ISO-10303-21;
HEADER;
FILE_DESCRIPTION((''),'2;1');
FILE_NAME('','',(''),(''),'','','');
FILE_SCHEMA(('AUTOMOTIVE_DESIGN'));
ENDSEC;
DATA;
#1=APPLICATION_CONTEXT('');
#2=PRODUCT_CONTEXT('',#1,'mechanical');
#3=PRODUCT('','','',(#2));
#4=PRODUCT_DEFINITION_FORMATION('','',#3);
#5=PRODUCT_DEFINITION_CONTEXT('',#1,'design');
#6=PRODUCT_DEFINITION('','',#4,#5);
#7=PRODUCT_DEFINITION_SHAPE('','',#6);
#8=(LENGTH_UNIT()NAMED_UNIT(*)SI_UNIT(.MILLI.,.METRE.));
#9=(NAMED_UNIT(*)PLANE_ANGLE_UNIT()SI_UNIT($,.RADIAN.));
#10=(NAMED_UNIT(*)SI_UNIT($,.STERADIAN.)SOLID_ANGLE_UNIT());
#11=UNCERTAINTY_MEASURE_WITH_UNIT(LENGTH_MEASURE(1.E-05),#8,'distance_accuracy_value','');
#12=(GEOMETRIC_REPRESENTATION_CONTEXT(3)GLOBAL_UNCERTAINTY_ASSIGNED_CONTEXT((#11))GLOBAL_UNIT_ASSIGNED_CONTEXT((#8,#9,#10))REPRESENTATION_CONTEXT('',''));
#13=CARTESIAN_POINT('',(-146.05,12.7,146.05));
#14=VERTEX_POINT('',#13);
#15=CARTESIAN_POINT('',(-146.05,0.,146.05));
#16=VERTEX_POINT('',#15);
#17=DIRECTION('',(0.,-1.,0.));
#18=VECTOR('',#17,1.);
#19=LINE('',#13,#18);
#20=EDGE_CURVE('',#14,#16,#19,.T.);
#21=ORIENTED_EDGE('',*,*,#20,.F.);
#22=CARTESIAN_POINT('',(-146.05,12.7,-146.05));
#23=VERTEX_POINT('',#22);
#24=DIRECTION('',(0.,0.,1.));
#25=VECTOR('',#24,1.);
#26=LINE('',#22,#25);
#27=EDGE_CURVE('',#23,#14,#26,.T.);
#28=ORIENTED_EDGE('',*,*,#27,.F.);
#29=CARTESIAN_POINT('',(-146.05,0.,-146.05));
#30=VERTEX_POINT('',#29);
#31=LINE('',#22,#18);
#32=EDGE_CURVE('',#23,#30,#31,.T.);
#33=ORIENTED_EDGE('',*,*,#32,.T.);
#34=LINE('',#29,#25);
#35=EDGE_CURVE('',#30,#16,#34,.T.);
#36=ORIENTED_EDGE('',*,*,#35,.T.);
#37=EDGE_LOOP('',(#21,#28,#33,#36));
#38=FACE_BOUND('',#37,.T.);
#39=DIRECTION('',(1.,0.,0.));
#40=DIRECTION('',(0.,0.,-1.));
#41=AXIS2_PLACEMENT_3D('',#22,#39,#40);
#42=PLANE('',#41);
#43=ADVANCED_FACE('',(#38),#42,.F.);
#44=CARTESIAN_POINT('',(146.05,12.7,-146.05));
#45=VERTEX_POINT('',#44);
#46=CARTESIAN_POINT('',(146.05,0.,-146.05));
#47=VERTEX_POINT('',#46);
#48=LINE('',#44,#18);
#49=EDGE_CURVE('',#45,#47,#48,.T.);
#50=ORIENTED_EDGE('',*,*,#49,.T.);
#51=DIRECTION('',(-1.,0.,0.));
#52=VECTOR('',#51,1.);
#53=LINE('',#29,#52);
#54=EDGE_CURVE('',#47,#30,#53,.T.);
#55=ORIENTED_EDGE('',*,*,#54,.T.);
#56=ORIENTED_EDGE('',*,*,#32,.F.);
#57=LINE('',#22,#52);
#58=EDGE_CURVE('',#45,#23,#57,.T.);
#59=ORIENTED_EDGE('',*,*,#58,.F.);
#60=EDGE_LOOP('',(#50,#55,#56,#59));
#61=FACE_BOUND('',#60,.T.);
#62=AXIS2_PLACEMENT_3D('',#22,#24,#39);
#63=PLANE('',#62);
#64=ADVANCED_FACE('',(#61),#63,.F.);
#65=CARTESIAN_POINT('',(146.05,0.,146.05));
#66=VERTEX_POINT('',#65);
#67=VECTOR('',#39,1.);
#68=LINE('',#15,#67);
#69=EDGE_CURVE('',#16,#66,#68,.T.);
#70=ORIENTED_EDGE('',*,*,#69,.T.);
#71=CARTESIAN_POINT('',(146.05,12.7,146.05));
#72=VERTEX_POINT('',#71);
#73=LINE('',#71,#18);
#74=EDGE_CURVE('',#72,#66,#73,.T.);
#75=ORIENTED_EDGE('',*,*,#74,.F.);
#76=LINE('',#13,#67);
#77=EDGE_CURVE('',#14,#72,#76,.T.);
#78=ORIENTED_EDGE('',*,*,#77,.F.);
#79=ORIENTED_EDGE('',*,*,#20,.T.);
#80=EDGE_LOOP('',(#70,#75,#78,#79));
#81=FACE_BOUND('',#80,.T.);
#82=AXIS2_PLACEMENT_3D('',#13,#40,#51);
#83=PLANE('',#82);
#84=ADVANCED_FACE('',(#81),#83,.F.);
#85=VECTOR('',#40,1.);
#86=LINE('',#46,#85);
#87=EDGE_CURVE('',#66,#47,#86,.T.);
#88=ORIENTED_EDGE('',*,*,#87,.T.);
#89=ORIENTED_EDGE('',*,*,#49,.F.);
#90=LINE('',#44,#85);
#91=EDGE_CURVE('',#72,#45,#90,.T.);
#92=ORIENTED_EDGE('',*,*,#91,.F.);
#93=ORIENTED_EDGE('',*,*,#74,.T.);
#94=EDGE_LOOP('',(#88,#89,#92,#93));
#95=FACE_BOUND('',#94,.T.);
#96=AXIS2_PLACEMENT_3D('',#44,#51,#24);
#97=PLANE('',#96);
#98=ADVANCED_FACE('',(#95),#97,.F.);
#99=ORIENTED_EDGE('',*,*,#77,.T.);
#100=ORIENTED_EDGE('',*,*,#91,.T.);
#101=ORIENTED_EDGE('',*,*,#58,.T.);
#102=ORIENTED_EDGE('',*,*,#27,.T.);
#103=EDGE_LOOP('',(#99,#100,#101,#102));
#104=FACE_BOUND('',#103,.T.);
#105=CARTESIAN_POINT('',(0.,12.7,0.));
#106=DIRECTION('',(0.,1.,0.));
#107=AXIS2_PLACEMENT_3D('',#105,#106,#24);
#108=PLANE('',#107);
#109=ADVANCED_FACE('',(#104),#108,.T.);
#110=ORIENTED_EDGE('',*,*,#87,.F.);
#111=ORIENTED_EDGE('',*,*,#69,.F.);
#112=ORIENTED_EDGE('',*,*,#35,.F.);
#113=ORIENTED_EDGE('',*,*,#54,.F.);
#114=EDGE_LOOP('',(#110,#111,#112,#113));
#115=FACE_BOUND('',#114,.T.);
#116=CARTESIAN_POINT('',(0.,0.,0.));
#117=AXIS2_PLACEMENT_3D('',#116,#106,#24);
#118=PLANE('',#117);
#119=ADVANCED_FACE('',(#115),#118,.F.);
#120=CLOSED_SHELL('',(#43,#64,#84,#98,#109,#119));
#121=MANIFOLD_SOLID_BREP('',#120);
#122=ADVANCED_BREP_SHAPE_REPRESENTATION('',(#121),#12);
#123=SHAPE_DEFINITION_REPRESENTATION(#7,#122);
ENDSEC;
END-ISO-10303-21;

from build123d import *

# Parameters (mm, degrees)
SKETCH1_W           = 292.1
SKETCH1_H           = 292.1
BOSS_EXTRUDE1_DEPTH = 12.7


with BuildPart() as part:
    # Sketch1 → Boss-Extrude1 (new body)
    with BuildSketch(Plane(origin=(0, 0, 0), x_dir=(1, 0, 0), z_dir=(0, 1, 0))):
        Rectangle(SKETCH1_W, SKETCH1_H)
    extrude(amount=BOSS_EXTRUDE1_DEPTH)


solid = part.part
